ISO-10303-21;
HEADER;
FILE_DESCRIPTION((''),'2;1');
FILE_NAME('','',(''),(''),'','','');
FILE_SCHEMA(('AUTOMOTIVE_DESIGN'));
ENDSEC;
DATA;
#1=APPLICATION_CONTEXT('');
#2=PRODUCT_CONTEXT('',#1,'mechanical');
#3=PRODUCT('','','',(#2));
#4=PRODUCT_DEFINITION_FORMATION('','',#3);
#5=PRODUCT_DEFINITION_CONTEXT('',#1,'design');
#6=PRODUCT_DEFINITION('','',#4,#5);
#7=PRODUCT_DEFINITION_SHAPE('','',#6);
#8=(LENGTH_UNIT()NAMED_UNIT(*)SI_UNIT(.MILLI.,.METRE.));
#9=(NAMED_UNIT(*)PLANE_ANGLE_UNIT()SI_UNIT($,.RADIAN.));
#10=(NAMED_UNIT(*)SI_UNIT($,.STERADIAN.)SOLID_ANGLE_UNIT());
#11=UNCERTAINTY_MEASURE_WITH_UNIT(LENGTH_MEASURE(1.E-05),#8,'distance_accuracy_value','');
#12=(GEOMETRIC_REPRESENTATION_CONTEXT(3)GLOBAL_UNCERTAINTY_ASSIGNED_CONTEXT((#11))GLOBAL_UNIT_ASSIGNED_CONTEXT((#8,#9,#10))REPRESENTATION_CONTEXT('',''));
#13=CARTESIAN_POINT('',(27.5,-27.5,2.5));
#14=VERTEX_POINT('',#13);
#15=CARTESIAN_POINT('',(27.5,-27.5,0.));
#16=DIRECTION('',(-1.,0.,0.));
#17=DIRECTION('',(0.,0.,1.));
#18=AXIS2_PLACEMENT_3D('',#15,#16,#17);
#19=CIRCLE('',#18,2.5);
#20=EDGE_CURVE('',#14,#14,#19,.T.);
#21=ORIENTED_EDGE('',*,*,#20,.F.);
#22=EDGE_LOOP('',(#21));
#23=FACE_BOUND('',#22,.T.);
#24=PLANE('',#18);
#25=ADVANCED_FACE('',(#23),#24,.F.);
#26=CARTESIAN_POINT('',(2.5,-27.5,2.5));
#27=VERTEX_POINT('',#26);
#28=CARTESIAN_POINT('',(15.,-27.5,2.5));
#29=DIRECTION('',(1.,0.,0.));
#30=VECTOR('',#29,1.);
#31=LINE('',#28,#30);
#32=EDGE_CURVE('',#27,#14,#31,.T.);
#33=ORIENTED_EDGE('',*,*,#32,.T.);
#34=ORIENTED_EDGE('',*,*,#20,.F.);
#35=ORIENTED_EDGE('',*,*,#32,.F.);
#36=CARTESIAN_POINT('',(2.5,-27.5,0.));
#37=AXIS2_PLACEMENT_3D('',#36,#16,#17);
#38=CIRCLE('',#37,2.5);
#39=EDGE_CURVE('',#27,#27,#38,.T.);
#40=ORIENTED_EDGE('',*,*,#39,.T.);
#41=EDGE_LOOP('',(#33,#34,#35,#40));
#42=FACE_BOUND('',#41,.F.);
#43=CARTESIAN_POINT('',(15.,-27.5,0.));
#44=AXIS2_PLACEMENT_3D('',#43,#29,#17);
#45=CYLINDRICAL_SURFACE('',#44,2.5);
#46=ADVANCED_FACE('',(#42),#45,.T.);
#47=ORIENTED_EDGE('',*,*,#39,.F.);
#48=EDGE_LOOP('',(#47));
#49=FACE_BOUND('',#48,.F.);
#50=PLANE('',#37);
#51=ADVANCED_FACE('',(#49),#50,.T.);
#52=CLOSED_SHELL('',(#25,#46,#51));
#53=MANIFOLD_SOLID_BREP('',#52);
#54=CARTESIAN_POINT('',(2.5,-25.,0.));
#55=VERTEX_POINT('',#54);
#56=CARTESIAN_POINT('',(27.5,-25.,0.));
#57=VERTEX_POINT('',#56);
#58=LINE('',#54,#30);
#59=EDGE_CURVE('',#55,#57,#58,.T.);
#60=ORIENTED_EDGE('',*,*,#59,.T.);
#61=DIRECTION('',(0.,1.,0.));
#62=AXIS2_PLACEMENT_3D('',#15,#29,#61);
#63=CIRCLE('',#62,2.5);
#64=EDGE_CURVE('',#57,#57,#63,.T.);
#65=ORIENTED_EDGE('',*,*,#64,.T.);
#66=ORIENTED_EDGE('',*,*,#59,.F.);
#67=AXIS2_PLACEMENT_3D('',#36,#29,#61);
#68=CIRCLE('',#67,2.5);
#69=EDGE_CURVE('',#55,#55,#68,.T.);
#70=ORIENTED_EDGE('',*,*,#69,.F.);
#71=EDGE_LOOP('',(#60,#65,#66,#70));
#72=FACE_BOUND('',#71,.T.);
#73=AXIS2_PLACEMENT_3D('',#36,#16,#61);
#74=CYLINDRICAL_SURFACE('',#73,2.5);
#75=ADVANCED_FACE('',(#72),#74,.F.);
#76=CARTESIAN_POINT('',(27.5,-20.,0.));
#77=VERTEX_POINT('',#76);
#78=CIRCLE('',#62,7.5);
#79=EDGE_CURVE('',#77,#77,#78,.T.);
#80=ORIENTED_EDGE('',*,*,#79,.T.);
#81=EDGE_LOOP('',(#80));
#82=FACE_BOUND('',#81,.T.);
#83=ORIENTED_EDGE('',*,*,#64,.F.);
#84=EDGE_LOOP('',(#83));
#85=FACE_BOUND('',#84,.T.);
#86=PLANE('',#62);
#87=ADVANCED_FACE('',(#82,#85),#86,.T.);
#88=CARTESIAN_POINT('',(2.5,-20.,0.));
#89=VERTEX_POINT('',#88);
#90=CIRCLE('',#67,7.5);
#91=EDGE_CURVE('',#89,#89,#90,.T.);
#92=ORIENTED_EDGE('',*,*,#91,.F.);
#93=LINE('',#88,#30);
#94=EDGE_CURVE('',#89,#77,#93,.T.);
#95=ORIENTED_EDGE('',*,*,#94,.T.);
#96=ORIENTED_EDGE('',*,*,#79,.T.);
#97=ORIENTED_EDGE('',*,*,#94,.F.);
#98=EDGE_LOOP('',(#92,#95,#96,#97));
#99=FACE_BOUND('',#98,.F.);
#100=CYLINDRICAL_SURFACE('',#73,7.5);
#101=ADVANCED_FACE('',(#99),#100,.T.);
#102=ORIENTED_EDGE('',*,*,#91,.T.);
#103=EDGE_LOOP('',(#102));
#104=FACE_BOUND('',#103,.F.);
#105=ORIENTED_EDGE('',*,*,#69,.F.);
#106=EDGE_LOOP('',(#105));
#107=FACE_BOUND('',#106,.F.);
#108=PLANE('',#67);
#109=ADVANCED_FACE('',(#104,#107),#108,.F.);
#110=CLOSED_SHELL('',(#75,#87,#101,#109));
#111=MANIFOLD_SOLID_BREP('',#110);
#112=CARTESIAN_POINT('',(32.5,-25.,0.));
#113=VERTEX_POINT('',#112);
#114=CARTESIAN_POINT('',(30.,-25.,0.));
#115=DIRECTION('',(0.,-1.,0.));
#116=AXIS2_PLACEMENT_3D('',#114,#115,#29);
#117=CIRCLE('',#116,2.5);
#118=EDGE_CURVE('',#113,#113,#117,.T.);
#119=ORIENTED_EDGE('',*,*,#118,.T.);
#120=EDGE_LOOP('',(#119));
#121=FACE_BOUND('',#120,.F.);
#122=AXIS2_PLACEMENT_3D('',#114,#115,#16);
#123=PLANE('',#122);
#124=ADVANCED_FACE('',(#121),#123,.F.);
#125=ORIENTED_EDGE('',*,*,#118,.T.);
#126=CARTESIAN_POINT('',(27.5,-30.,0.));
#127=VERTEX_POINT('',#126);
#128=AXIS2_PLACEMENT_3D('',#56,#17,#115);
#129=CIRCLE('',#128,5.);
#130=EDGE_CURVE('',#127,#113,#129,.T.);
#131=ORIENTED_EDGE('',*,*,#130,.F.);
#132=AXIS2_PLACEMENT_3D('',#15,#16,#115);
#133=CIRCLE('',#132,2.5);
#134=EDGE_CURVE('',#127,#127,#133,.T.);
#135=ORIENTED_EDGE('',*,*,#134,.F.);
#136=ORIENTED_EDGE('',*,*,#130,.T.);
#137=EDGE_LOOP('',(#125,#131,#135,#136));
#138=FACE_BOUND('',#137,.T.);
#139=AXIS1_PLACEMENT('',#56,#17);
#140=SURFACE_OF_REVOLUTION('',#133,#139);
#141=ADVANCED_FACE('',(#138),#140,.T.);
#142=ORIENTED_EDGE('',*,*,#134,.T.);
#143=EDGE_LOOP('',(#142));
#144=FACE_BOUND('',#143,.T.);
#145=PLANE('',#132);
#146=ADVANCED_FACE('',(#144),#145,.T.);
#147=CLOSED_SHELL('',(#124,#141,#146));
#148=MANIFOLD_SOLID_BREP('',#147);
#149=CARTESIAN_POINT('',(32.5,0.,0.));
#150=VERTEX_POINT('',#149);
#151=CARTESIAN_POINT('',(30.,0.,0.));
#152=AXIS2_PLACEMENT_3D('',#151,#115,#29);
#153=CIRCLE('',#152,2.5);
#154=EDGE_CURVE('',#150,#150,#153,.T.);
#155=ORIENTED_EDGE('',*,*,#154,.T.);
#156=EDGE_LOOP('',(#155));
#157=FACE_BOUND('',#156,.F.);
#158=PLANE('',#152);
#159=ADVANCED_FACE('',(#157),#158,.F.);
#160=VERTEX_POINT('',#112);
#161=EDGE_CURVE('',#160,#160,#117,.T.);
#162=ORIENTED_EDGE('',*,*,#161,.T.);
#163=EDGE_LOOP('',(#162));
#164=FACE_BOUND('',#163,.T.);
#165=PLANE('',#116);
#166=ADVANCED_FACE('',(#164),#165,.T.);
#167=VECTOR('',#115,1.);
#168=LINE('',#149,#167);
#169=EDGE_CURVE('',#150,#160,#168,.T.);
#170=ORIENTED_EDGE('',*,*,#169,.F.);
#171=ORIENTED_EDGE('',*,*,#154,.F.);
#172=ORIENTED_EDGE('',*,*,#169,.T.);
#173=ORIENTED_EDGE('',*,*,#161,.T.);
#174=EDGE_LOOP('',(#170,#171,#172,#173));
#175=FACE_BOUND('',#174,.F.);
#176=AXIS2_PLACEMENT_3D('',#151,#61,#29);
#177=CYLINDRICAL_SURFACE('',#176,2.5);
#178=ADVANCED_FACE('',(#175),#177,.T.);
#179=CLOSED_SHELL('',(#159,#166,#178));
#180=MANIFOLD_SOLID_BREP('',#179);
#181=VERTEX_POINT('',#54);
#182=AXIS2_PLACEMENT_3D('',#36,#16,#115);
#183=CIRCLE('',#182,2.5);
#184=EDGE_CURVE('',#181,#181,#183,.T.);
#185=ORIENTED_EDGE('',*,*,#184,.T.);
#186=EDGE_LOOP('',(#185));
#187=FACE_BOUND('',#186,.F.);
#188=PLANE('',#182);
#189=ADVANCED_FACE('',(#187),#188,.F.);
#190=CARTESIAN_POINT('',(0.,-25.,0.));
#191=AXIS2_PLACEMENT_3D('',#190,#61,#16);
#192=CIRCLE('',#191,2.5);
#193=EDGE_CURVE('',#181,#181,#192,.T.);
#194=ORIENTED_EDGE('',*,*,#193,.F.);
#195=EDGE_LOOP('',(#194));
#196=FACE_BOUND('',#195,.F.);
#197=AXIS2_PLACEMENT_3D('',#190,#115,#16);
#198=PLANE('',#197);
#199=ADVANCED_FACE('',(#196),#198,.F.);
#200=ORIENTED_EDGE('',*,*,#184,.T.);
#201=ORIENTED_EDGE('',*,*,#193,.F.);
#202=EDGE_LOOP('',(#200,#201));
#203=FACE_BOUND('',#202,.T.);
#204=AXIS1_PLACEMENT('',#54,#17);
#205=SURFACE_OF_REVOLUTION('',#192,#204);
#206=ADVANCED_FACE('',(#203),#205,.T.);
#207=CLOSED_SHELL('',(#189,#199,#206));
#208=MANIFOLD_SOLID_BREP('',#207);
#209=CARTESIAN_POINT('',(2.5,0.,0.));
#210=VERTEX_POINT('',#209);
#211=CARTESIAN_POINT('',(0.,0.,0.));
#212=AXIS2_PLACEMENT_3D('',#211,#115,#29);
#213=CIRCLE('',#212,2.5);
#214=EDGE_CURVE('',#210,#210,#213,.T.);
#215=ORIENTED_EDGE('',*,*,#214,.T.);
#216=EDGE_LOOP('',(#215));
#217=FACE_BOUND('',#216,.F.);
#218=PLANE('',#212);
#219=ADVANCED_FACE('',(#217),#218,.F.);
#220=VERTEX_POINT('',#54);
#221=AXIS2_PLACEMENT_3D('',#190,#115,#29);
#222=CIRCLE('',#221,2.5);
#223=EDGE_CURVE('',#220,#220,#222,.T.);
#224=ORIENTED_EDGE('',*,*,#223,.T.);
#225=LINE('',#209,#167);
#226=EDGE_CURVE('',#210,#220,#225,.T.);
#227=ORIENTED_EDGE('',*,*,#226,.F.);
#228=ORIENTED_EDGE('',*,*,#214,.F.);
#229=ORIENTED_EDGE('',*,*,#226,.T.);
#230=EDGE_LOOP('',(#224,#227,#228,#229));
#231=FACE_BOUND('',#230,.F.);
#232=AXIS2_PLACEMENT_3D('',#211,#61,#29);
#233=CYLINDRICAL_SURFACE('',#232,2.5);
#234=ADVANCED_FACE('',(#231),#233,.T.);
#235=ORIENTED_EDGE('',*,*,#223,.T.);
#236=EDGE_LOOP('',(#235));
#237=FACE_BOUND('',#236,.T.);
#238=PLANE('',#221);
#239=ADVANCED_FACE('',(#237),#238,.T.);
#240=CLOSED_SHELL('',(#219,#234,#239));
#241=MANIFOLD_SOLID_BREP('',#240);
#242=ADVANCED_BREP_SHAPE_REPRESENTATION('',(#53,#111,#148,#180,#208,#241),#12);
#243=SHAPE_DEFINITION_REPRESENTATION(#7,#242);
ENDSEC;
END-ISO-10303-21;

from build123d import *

# Parameters (mm, degrees)
F0_R      = 2.5
F1_DEPTH  = 25
F3_W      = 25
F3_H      = 2.5
F1_FACE_R = 2.5
F9_R      = 7.5
F9_R_2    = 2.5
F10_DEPTH = 25


with BuildPart() as f1:
    # F0 (on Front) → F1 (new body)
    with BuildSketch(Plane.XZ):
        Circle(F0_R)
    extrude(amount=F1_DEPTH)


with BuildPart() as f1b:
    # F0 (on Front) → F1, piece 2 (new body)
    with BuildSketch(Plane.XZ):
        with BuildLine():
            ThreePointArc((27.5, 0), (30, -2.5), (32.5, 0))
            ThreePointArc((32.5, 0), (30, 2.5), (27.5, 0))
        make_face()
    extrude(amount=F1_DEPTH)


with BuildPart() as f4:
    # F3 (on offset) → F4 (revolve)
    with BuildSketch(Plane.XZ.offset(27.5)):
        with Locations((15, 1.25)):
            Rectangle(F3_W, F3_H)
    revolve(axis=Axis((15, -27.5, 0), (-1, 0, 0)))


with BuildPart() as f6:
    # F6: sweep along a path in F5
    with BuildLine(Plane.XY) as f6_path:
        ThreePointArc((0, -25), (0.732233047, -26.767766953), (2.5, -27.5))
    # F1_face (on face) → F6 (sweep)
    with BuildSketch(Plane.XZ.offset(25)):
        Circle(F1_FACE_R)
    sweep(path=f6_path.line)


with BuildPart() as f10:
    # F9 (on offset) → F10 (new body)
    with BuildSketch(Plane.YZ.offset(2.5)):
        with Locations((-27.5, 0)):
            Circle(F9_R)
        with Locations((-27.5, 0)):
            Circle(F9_R_2, mode=Mode.SUBTRACT)
    extrude(amount=F10_DEPTH)


with BuildPart() as f11:
    # F11: sweep along a path in F7
    with BuildLine(Plane.XY) as f11_path:
        ThreePointArc((27.5, -27.5), (29.267766953, -26.767766953), (30, -25))
    # F1_face (on face) → F11 (sweep)
    with BuildSketch(Plane.XZ.offset(25)):
        with Locations((30, 0)):
            Circle(F1_FACE_R)
    sweep(path=f11_path.line)


solid = Compound([f1.part, f1b.part, f4.part, f6.part, f10.part, f11.part])
